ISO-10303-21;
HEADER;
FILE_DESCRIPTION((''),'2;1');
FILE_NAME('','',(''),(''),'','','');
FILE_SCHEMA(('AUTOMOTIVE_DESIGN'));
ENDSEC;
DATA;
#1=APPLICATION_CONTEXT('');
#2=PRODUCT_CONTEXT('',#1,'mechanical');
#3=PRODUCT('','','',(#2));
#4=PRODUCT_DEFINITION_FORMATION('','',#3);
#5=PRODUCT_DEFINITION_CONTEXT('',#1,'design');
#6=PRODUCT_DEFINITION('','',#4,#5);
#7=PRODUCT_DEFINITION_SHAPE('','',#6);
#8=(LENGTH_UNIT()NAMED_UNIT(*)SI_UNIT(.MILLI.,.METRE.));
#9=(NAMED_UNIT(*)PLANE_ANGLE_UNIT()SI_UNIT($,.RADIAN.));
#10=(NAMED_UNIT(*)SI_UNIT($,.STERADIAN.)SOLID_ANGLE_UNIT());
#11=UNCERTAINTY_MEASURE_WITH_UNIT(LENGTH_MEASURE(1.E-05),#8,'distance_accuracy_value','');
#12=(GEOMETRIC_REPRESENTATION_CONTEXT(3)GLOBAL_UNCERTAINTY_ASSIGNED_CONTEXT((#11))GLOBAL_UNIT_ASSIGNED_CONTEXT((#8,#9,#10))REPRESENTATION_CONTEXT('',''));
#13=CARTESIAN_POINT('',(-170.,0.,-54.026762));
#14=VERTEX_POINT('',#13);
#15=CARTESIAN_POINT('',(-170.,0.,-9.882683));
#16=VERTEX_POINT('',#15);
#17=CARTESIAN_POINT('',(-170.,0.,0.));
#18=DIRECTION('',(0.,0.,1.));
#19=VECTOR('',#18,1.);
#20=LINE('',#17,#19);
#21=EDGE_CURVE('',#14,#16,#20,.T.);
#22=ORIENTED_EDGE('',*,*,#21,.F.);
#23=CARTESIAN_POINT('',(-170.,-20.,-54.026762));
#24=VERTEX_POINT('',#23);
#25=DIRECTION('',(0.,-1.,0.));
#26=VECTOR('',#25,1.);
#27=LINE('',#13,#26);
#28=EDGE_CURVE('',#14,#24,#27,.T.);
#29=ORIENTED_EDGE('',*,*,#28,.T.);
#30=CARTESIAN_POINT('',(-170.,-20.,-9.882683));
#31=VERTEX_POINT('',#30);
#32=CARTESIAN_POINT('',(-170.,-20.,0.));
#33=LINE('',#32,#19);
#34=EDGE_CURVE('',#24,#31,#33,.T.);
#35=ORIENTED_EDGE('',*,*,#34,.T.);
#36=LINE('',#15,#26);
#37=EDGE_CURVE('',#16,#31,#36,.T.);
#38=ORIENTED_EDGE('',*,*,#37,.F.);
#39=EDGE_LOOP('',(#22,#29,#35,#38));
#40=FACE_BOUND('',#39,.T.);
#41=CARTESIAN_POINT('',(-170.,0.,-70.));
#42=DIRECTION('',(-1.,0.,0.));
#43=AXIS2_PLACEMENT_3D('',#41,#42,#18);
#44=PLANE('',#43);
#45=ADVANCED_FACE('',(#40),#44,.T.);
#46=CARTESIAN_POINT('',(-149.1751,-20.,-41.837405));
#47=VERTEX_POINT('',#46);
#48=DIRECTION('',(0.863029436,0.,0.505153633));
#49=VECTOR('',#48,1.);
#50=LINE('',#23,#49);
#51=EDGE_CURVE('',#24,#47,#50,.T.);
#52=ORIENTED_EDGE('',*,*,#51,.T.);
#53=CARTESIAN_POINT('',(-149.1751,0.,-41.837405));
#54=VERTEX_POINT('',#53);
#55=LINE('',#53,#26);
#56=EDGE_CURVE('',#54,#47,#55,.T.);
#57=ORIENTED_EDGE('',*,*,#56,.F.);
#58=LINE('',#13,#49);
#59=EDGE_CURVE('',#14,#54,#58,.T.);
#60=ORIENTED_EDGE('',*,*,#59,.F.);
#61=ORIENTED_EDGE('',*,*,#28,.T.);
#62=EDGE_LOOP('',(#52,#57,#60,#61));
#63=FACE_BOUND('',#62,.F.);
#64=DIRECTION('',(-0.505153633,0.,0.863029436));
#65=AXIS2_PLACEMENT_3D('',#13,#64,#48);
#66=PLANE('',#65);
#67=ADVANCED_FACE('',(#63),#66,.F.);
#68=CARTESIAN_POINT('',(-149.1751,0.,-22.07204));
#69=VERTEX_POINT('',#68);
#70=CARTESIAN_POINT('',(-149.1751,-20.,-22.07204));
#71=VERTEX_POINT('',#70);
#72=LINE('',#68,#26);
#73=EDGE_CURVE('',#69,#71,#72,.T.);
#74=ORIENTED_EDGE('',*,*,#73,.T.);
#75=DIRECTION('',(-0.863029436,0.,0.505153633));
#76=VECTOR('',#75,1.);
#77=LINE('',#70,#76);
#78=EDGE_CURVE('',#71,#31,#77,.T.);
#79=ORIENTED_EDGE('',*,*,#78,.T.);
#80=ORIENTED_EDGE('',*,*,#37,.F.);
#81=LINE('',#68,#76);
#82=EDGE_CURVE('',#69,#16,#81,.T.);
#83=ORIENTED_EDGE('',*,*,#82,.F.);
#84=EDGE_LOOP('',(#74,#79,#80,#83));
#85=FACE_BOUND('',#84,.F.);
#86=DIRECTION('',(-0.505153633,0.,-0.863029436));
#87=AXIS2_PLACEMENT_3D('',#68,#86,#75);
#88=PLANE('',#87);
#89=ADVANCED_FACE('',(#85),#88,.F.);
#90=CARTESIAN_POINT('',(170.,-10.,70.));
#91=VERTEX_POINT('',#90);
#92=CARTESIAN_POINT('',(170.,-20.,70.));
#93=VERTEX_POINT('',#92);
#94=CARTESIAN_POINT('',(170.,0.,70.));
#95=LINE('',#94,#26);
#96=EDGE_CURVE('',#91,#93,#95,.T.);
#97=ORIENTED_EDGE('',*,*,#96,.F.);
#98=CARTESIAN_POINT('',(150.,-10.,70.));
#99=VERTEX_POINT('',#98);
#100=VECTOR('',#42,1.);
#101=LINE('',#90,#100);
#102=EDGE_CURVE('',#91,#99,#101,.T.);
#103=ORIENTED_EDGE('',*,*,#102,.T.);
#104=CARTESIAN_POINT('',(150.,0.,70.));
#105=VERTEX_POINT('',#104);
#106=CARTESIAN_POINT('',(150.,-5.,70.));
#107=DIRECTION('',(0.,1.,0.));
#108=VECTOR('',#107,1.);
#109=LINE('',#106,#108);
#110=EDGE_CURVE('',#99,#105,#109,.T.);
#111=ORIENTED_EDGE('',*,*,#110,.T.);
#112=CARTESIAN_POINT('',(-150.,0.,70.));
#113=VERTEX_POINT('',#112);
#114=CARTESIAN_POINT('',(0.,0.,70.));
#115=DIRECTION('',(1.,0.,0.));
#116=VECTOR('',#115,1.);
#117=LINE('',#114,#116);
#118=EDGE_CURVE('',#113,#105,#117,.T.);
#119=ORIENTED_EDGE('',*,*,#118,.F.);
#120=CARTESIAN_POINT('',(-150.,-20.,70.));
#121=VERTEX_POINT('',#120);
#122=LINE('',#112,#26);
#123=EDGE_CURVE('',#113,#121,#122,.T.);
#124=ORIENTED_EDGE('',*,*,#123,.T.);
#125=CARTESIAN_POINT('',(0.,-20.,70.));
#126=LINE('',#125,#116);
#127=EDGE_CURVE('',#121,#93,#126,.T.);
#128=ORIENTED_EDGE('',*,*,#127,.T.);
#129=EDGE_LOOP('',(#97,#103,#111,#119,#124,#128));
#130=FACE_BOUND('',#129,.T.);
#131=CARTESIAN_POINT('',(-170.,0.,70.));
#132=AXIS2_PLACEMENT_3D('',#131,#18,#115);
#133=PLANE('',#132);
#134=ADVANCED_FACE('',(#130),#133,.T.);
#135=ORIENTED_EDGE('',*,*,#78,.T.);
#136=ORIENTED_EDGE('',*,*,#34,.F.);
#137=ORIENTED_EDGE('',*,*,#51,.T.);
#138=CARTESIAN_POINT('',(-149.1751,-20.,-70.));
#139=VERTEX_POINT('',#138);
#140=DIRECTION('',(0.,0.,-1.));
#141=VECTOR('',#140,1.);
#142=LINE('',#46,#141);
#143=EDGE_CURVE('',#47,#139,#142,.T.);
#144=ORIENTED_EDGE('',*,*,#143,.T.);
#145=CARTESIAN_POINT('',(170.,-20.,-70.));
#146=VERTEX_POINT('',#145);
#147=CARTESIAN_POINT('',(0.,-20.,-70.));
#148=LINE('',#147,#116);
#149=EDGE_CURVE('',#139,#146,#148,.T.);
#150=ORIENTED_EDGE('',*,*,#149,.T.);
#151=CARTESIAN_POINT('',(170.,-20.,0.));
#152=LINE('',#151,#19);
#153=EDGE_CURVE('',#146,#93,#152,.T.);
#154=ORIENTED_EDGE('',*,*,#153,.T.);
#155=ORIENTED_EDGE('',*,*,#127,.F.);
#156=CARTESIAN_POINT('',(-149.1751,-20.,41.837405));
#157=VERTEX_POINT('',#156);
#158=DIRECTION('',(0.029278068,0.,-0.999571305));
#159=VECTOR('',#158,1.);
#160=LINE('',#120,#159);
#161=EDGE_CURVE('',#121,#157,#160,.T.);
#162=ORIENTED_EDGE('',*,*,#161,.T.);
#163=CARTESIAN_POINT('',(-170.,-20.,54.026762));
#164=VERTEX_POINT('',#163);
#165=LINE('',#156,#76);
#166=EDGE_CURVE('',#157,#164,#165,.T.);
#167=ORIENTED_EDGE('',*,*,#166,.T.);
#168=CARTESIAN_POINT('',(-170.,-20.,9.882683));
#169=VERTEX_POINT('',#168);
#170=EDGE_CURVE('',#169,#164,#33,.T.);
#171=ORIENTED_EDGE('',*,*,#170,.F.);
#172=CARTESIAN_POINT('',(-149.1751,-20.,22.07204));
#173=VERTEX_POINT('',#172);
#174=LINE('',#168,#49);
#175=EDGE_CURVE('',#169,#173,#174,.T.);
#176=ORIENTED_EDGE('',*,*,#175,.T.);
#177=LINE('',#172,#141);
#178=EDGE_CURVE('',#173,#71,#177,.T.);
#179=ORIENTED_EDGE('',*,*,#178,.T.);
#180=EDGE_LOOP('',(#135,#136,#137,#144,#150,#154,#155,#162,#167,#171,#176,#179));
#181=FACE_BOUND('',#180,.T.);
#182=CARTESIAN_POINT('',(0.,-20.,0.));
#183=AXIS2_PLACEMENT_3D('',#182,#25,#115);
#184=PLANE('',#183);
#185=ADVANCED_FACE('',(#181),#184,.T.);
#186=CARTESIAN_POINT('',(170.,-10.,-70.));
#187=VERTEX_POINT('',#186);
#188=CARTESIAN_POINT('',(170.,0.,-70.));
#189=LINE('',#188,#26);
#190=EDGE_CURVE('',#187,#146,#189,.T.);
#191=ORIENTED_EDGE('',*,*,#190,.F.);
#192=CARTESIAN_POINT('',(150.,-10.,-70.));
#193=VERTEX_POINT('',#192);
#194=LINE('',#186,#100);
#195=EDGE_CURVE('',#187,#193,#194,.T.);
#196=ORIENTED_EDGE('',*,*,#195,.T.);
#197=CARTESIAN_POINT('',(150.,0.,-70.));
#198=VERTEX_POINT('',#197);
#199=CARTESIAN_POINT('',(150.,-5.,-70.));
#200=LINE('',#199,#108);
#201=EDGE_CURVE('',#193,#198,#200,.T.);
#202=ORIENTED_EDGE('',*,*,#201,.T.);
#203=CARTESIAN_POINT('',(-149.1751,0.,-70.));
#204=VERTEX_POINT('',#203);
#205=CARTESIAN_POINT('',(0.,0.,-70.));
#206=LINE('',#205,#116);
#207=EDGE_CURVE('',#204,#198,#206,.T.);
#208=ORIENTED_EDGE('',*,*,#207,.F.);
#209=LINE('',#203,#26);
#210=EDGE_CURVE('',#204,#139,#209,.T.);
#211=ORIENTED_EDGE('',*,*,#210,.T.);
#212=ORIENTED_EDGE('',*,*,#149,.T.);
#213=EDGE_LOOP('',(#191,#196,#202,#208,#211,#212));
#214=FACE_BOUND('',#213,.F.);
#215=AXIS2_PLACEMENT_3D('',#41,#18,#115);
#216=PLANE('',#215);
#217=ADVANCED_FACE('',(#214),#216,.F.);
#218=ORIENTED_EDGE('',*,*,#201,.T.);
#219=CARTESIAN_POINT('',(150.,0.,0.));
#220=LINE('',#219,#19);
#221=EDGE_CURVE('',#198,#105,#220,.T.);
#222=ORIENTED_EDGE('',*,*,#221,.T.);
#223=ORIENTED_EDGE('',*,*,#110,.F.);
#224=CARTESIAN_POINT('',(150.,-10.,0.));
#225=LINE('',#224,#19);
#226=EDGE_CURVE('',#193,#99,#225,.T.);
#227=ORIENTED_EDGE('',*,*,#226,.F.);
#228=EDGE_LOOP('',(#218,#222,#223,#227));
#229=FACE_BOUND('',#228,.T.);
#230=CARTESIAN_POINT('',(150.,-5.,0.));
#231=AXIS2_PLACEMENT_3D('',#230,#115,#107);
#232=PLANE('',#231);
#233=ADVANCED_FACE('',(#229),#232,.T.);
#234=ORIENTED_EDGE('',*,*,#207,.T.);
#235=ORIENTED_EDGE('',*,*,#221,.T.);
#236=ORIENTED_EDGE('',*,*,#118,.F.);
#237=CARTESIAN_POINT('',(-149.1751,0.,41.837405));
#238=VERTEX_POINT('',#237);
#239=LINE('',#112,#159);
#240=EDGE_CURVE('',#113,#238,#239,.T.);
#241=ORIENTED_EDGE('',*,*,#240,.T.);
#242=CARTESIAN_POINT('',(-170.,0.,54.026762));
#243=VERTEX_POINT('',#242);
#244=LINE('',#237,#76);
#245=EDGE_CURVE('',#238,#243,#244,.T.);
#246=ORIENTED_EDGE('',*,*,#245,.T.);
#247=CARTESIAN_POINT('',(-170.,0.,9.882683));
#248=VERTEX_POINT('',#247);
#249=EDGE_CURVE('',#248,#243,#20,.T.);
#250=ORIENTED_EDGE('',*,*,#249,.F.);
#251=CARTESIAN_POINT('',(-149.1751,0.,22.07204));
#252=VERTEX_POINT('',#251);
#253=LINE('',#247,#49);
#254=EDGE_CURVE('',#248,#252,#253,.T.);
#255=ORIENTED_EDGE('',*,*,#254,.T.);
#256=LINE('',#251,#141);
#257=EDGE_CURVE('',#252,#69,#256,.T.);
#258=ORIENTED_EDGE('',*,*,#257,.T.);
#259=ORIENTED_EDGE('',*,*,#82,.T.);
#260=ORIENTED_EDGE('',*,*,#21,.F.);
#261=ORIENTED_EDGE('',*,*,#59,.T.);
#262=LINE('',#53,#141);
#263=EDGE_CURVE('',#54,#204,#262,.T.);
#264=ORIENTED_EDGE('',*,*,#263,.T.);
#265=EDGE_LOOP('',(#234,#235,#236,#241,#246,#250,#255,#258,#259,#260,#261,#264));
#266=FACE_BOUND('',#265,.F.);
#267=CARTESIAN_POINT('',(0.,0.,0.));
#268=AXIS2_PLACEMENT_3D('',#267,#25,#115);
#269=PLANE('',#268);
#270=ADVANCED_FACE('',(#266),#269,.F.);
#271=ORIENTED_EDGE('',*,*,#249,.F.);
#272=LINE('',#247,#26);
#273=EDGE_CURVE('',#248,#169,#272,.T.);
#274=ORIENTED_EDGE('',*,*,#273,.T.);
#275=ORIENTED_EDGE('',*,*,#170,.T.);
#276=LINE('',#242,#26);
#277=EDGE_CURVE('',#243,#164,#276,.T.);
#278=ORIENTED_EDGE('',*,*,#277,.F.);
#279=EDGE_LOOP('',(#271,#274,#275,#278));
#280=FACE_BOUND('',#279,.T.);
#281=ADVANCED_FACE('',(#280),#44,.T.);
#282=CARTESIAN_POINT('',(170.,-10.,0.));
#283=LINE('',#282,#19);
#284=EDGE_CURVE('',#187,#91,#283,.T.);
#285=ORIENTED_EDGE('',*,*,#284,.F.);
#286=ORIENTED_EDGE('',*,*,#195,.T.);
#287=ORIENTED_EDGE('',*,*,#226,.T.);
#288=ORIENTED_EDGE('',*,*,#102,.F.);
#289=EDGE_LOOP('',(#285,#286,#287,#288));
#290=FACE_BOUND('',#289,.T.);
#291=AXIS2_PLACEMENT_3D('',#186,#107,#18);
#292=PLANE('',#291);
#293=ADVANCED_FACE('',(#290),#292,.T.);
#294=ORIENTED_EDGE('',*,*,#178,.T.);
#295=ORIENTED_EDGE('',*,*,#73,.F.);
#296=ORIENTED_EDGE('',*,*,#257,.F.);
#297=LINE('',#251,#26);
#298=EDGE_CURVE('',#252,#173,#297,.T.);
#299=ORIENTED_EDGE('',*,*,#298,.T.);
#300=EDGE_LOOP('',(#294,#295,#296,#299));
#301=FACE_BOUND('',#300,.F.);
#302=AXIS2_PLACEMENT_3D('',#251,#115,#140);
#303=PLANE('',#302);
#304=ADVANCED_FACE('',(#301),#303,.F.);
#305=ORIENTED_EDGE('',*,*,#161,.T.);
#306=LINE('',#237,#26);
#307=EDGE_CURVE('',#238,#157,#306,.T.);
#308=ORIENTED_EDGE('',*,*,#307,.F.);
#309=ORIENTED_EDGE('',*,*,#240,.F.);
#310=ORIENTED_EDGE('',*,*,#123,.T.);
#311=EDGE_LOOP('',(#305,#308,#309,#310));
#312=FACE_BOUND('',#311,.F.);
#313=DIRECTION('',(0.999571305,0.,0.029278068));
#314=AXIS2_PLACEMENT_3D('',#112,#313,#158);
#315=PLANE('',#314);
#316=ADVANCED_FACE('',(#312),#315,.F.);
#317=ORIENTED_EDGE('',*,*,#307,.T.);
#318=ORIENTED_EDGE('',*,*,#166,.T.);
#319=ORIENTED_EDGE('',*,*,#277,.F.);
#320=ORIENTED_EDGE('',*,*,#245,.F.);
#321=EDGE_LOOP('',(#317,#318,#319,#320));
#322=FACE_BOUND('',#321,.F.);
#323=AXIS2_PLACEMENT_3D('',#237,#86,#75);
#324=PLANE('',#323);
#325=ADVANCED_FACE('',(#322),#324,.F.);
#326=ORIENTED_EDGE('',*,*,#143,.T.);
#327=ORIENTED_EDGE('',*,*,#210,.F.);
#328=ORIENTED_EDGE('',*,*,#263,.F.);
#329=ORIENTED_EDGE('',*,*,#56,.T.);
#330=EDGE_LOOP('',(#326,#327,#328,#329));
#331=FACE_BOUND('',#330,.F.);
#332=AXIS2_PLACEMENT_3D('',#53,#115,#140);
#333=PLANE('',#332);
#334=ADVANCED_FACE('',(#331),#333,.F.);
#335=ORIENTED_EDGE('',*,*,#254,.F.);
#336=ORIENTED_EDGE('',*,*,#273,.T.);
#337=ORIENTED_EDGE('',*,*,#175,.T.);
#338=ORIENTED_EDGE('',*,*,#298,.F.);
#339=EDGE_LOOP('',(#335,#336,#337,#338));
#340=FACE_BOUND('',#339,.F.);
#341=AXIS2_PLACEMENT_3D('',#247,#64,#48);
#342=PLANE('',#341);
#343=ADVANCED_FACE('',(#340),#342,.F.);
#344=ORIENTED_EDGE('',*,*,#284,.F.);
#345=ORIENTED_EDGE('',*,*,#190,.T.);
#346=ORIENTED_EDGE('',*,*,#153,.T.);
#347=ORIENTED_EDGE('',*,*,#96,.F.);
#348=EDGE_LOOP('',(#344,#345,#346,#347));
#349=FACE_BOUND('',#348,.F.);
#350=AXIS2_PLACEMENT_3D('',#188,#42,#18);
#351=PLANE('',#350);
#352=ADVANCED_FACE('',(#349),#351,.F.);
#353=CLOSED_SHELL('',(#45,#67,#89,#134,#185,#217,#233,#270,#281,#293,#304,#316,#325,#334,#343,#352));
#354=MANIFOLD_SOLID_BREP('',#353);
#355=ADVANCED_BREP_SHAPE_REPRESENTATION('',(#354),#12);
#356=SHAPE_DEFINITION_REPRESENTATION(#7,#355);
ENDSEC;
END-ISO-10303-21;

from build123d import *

# Parameters (mm, degrees)
F0_W     = 340
F0_H     = 140
F1_DEPTH = 20
F4_DEPTH = 20
F2_W     = 10
F2_H     = 140
F5_DEPTH = 20


with BuildPart() as f1:
    # F0 (on Front) → F1 (new body)
    with BuildSketch(Plane.XZ):
        Rectangle(F0_W, F0_H)
    extrude(amount=F1_DEPTH)

    # F3 (on face) → F4 (cut)
    with BuildSketch(Plane(origin=(0, 0, 0), x_dir=(-1, 0, 0), z_dir=(0, 1, 0))):
        Polygon((149.1751, -41.837405), (149.1751, -70), (150, -70), (170, -70), (170, -54.026762), align=None)
        Polygon((170, 54.026762), (170, 70), (150, 70), (149.1751, 41.837405), align=None)
        Polygon((170, 0), (170, 9.882683), (149.1751, 22.07204), (149.1751, -22.07204), (170, -9.882683), align=None)
    extrude(amount=-F4_DEPTH, mode=Mode.SUBTRACT)

    # F2 (on face) → F5 (cut)
    with BuildSketch(Plane.YZ.offset(170)):
        with Locations((-5, 0)):
            Rectangle(F2_W, F2_H)
    extrude(amount=-F5_DEPTH, mode=Mode.SUBTRACT)


solid = f1.part
